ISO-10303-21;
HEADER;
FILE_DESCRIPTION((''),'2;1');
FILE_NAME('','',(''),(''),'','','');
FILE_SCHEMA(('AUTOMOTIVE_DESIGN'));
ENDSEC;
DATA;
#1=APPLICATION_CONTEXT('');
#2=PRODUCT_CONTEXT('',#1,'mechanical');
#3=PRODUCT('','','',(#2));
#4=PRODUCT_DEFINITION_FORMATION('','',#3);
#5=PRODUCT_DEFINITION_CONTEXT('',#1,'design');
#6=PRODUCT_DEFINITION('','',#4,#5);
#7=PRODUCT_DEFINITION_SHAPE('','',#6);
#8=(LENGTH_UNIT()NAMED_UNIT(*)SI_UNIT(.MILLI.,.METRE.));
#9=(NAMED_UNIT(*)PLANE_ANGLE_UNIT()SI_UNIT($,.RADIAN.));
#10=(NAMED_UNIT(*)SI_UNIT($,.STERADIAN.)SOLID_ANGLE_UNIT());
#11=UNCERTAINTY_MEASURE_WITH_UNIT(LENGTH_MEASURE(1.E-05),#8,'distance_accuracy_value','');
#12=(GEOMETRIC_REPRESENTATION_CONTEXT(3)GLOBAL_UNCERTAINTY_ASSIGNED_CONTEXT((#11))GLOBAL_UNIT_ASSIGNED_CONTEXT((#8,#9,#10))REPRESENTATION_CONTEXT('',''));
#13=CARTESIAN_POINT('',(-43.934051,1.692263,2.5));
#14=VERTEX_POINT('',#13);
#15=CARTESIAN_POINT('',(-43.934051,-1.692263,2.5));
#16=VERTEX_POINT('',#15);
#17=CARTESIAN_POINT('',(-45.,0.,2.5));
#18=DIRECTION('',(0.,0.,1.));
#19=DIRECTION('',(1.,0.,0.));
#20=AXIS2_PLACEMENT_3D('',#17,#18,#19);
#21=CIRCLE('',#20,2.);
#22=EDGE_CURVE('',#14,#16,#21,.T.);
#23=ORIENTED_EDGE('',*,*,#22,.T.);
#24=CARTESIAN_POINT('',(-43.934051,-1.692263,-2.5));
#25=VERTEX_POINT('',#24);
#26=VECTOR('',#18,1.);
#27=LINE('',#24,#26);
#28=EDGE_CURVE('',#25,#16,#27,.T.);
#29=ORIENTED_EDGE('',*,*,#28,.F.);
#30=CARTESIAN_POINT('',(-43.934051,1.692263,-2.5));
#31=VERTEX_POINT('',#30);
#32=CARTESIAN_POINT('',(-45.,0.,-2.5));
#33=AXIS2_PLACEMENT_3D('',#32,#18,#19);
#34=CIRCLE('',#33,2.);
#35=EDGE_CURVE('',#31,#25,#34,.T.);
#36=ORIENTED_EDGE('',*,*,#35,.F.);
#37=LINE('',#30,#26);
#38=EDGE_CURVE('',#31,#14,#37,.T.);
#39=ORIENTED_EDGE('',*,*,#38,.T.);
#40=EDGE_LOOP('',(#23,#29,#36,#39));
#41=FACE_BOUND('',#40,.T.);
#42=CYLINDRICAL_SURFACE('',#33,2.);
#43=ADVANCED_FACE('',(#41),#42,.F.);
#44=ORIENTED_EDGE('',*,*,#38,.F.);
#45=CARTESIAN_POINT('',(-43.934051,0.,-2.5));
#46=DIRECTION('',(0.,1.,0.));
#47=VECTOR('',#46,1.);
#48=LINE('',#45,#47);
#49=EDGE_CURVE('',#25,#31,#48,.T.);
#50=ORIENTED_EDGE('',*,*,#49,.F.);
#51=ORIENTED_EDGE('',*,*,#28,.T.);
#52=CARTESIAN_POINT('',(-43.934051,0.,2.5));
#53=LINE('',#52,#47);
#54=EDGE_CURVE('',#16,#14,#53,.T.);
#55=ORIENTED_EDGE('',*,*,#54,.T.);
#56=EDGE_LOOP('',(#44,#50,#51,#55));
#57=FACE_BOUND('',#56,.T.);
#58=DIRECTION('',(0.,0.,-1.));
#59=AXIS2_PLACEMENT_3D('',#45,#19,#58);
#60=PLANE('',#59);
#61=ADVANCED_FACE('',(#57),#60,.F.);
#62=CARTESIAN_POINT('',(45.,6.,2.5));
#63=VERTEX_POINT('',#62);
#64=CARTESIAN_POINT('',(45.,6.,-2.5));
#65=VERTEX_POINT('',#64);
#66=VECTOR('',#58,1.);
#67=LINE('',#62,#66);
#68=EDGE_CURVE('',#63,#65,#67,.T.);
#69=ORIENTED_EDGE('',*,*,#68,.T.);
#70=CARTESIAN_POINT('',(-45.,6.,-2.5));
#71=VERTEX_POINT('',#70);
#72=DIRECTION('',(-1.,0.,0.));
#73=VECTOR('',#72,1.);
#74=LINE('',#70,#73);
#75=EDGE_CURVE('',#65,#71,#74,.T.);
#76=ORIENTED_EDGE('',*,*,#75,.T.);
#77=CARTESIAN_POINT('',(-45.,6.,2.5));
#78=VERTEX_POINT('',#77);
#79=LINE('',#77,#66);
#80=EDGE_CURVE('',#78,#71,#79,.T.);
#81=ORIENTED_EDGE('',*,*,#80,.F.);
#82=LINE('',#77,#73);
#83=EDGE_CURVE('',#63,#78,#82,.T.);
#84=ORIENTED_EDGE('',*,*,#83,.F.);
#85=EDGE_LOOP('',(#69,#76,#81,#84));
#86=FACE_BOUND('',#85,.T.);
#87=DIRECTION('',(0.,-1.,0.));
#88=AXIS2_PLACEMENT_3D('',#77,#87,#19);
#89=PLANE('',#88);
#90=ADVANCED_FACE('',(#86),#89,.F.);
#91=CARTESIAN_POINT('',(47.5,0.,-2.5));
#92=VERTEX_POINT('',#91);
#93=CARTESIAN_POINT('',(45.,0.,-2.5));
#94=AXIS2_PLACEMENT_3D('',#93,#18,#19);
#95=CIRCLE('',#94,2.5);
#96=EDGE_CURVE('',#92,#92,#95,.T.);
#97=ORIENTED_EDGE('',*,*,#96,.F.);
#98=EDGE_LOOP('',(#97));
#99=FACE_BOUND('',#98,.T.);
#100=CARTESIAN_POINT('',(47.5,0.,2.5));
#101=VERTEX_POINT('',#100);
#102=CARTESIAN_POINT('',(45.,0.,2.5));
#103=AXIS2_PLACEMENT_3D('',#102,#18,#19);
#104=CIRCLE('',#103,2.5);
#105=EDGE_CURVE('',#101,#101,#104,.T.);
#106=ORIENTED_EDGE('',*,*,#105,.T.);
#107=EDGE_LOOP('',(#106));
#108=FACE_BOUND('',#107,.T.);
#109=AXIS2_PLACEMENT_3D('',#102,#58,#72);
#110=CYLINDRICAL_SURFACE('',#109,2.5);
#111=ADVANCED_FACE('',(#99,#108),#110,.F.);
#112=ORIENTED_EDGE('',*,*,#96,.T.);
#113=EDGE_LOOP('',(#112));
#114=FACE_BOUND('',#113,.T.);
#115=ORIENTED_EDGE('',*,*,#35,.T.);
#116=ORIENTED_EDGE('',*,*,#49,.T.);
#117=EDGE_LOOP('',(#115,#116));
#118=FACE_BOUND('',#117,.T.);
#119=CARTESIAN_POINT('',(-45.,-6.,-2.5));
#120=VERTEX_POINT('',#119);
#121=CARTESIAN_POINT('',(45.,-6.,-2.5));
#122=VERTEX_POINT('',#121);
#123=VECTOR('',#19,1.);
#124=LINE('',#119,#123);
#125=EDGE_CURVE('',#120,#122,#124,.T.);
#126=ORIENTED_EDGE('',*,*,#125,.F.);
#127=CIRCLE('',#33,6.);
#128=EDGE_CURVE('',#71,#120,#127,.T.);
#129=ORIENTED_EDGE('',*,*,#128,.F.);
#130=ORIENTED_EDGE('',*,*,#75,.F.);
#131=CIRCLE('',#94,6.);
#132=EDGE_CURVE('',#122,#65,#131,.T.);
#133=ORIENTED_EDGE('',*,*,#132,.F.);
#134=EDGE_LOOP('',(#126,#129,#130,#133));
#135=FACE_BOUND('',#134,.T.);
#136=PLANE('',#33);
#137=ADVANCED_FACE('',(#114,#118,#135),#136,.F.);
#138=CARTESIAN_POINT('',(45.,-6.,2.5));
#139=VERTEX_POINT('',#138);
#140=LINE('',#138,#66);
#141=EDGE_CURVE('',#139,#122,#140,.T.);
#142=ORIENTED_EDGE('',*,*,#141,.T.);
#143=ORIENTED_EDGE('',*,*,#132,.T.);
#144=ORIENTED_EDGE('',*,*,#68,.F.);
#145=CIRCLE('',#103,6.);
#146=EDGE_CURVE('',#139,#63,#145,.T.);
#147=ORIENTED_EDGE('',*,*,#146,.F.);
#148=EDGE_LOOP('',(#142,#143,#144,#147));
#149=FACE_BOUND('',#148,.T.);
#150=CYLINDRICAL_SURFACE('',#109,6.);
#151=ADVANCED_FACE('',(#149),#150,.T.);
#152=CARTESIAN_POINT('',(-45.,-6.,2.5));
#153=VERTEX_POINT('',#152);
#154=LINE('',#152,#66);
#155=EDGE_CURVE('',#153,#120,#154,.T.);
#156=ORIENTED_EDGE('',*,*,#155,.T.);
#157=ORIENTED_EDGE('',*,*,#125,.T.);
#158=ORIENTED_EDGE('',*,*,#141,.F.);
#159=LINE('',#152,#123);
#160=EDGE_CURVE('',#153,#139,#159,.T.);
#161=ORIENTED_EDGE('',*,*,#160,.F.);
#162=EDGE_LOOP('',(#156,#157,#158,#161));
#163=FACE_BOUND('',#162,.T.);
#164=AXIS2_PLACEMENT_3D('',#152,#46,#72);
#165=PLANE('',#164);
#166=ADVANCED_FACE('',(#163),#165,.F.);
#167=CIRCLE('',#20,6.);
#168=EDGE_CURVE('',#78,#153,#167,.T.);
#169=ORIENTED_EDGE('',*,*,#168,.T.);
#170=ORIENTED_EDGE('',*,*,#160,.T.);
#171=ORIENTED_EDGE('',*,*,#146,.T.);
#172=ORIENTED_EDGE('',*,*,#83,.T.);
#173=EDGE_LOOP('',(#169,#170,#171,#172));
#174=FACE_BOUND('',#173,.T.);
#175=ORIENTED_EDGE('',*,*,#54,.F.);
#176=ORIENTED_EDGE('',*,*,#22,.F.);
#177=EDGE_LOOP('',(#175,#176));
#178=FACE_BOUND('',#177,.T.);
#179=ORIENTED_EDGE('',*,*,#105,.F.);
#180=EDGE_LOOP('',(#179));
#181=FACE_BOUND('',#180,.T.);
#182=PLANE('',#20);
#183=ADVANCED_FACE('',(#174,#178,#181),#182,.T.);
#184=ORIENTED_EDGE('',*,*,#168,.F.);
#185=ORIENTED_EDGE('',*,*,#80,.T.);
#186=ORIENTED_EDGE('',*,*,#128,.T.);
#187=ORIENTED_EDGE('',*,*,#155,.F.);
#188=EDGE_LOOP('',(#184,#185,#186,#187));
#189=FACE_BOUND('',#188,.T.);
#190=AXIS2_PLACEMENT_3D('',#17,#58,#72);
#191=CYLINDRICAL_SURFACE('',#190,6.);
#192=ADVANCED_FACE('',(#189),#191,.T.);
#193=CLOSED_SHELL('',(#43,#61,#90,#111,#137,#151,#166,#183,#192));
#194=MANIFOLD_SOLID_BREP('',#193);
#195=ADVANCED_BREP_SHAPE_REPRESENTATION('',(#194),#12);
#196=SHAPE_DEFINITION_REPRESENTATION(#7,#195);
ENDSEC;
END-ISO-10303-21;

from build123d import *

# Parameters (mm, degrees)
CROQUIS1_R              = 2.5
SALIENTE_EXTRUIR1_DEPTH = 2.5
CROQUIS3_R              = 2.5
CROQUIS3_R_2            = 2
SALIENTE_EXTRUIR7_DEPTH = 5


with BuildPart() as part:
    # Croquis1 → Saliente-Extruir1 (new, symmetric)
    with BuildSketch(Plane.XY):
        with BuildLine():
            Line((-45, 6), (45, 6))
            ThreePointArc((45, 6), (51, 0), (45, -6))
            Line((45, -6), (-45, -6))
            ThreePointArc((-45, -6), (-51, 0), (-45, 6))
        make_face()
        with Locations((45, 0)):
            Circle(CROQUIS1_R, mode=Mode.SUBTRACT)
        with Locations((-45, 0)):
            Circle(CROQUIS1_R, mode=Mode.SUBTRACT)
    extrude(amount=SALIENTE_EXTRUIR1_DEPTH, both=True)

    # Croquis3 → Saliente-Extruir7 (add, through all)
    # profile 1 of 2: a face of its own
    with BuildSketch(Plane.XY.offset(2.5)):
        with Locations((-45, 0)):
            Circle(CROQUIS3_R)
        with Locations((-45, 0)):
            Circle(CROQUIS3_R_2, mode=Mode.SUBTRACT)
    # profile 2 of 2: a face of its own
    with BuildSketch(Plane.XY.offset(2.5)):
        with BuildLine():
            Line((-43.934051012, 1.692262614), (-43.934051012, 0))
            Line((-43.934051012, 0), (-43.934051012, -1.692262614))
            ThreePointArc((-43.934051012, -1.692262614), (-43.249014852, -0.966463146), (-43, 0))
            ThreePointArc((-43, 0), (-43.249014852, 0.966463146), (-43.934051012, 1.692262614))
        make_face()
    extrude(amount=-SALIENTE_EXTRUIR7_DEPTH)


solid = part.part
